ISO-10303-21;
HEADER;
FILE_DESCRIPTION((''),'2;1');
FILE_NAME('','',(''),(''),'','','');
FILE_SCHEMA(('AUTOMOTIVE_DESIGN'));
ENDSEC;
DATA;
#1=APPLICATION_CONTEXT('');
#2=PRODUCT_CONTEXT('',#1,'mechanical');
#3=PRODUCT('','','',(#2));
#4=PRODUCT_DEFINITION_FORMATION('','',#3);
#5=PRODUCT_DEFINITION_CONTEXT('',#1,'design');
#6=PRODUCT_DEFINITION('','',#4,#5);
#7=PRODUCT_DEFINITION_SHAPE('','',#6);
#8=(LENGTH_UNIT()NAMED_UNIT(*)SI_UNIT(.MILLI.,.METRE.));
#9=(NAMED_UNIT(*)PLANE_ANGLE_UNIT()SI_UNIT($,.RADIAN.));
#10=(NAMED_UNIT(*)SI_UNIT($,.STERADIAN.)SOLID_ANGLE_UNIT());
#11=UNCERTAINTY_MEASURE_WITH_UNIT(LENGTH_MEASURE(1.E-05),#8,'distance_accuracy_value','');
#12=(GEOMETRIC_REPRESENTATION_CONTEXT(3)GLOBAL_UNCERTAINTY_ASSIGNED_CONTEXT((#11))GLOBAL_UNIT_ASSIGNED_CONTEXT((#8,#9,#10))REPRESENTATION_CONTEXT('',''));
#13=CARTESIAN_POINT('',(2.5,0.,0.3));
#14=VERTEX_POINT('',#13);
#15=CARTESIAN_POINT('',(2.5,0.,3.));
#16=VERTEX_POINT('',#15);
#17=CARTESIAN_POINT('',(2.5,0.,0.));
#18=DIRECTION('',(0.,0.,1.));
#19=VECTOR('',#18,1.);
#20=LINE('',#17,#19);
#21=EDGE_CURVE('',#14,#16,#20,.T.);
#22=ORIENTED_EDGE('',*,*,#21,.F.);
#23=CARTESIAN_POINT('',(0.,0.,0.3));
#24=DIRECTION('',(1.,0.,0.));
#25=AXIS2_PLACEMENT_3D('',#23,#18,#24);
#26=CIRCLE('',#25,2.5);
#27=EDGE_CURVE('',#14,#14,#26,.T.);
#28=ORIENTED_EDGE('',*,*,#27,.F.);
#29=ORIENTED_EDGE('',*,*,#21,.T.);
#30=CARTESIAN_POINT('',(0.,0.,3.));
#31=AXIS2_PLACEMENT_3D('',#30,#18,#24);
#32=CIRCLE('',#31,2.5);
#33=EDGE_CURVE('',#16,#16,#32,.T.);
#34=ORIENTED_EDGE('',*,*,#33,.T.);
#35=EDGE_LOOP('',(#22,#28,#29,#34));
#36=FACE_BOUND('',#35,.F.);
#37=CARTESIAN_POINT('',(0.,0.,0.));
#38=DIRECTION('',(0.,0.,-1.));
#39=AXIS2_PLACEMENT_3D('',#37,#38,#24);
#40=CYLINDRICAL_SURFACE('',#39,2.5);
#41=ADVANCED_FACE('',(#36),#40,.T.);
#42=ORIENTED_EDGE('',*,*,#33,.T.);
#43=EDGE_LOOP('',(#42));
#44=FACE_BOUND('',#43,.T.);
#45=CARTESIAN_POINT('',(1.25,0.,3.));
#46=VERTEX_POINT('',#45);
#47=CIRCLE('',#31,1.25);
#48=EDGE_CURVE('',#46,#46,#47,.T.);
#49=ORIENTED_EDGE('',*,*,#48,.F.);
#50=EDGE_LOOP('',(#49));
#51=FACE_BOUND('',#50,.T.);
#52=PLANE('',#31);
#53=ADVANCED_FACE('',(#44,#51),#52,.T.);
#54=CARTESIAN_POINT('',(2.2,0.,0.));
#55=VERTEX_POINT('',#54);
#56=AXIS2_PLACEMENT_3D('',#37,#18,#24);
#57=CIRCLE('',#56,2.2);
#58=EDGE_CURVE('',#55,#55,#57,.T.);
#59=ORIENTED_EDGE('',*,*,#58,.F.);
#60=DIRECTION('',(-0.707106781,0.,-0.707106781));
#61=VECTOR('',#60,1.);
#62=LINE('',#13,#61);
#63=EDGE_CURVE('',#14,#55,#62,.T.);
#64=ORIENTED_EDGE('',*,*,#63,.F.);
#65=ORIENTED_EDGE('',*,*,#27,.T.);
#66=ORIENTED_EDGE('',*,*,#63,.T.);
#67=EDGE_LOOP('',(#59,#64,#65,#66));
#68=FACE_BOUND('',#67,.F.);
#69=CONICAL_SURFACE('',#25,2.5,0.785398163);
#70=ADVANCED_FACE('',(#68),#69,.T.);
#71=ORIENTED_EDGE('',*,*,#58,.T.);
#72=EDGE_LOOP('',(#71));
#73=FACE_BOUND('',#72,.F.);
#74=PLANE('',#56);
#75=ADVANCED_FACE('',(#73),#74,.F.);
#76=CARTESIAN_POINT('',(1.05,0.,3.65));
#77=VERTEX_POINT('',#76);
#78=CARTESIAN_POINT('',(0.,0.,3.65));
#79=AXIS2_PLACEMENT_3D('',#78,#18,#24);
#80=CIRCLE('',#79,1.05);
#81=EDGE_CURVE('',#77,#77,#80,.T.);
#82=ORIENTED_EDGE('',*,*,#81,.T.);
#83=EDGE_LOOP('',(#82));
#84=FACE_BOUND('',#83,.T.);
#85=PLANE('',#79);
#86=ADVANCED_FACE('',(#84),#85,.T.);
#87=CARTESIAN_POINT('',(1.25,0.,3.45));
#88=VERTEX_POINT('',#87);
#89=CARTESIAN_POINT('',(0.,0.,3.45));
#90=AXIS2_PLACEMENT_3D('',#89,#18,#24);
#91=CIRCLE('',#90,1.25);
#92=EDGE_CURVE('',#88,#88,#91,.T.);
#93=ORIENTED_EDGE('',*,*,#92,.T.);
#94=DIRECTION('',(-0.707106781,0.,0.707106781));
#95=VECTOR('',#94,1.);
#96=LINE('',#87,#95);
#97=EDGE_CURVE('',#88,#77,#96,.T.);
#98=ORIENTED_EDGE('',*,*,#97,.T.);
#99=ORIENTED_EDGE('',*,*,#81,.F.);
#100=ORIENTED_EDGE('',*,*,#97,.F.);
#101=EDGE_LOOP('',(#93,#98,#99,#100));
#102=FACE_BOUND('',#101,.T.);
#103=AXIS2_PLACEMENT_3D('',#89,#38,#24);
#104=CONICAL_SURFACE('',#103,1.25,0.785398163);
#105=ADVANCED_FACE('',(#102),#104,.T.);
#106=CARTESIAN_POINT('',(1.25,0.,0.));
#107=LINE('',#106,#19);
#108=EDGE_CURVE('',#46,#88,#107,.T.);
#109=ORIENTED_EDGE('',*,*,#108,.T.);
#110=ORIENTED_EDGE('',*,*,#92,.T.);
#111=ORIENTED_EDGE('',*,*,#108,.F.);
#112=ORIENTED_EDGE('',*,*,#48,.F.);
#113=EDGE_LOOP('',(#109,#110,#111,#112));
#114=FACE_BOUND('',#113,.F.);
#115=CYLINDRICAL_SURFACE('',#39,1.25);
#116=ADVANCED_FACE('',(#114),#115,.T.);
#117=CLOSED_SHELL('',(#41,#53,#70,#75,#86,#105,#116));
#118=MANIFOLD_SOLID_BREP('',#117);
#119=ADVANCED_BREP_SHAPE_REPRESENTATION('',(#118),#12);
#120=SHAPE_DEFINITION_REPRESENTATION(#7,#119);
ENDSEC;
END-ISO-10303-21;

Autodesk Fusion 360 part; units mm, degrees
sketch "Sketch1" plane through (0, 0, 0) normal (0, 0, 1) x (1, 0, 0)
  circle A0 centre (0, 0) radius 2.5
  circle A1 centre (0, 0) radius 1.25
  dimension "d1" = 5
  dimension "d2" = 2.5
extrude "Extrude1" add sketch "Sketch1" along normal blind 3
extrude "Extrude2" add sketch "Sketch1" along normal blind 3.65 contours A1
chamfer "Chamfer1" distance 0.3 angle 45 1 edges at (-2.3308, -0.904, 0)
chamfer "Chamfer2" distance 0.2 angle 45 1 edges at (-1.1654, -0.452, 3.65)
equation "d5 = 3 mm + 0.65 mm"
